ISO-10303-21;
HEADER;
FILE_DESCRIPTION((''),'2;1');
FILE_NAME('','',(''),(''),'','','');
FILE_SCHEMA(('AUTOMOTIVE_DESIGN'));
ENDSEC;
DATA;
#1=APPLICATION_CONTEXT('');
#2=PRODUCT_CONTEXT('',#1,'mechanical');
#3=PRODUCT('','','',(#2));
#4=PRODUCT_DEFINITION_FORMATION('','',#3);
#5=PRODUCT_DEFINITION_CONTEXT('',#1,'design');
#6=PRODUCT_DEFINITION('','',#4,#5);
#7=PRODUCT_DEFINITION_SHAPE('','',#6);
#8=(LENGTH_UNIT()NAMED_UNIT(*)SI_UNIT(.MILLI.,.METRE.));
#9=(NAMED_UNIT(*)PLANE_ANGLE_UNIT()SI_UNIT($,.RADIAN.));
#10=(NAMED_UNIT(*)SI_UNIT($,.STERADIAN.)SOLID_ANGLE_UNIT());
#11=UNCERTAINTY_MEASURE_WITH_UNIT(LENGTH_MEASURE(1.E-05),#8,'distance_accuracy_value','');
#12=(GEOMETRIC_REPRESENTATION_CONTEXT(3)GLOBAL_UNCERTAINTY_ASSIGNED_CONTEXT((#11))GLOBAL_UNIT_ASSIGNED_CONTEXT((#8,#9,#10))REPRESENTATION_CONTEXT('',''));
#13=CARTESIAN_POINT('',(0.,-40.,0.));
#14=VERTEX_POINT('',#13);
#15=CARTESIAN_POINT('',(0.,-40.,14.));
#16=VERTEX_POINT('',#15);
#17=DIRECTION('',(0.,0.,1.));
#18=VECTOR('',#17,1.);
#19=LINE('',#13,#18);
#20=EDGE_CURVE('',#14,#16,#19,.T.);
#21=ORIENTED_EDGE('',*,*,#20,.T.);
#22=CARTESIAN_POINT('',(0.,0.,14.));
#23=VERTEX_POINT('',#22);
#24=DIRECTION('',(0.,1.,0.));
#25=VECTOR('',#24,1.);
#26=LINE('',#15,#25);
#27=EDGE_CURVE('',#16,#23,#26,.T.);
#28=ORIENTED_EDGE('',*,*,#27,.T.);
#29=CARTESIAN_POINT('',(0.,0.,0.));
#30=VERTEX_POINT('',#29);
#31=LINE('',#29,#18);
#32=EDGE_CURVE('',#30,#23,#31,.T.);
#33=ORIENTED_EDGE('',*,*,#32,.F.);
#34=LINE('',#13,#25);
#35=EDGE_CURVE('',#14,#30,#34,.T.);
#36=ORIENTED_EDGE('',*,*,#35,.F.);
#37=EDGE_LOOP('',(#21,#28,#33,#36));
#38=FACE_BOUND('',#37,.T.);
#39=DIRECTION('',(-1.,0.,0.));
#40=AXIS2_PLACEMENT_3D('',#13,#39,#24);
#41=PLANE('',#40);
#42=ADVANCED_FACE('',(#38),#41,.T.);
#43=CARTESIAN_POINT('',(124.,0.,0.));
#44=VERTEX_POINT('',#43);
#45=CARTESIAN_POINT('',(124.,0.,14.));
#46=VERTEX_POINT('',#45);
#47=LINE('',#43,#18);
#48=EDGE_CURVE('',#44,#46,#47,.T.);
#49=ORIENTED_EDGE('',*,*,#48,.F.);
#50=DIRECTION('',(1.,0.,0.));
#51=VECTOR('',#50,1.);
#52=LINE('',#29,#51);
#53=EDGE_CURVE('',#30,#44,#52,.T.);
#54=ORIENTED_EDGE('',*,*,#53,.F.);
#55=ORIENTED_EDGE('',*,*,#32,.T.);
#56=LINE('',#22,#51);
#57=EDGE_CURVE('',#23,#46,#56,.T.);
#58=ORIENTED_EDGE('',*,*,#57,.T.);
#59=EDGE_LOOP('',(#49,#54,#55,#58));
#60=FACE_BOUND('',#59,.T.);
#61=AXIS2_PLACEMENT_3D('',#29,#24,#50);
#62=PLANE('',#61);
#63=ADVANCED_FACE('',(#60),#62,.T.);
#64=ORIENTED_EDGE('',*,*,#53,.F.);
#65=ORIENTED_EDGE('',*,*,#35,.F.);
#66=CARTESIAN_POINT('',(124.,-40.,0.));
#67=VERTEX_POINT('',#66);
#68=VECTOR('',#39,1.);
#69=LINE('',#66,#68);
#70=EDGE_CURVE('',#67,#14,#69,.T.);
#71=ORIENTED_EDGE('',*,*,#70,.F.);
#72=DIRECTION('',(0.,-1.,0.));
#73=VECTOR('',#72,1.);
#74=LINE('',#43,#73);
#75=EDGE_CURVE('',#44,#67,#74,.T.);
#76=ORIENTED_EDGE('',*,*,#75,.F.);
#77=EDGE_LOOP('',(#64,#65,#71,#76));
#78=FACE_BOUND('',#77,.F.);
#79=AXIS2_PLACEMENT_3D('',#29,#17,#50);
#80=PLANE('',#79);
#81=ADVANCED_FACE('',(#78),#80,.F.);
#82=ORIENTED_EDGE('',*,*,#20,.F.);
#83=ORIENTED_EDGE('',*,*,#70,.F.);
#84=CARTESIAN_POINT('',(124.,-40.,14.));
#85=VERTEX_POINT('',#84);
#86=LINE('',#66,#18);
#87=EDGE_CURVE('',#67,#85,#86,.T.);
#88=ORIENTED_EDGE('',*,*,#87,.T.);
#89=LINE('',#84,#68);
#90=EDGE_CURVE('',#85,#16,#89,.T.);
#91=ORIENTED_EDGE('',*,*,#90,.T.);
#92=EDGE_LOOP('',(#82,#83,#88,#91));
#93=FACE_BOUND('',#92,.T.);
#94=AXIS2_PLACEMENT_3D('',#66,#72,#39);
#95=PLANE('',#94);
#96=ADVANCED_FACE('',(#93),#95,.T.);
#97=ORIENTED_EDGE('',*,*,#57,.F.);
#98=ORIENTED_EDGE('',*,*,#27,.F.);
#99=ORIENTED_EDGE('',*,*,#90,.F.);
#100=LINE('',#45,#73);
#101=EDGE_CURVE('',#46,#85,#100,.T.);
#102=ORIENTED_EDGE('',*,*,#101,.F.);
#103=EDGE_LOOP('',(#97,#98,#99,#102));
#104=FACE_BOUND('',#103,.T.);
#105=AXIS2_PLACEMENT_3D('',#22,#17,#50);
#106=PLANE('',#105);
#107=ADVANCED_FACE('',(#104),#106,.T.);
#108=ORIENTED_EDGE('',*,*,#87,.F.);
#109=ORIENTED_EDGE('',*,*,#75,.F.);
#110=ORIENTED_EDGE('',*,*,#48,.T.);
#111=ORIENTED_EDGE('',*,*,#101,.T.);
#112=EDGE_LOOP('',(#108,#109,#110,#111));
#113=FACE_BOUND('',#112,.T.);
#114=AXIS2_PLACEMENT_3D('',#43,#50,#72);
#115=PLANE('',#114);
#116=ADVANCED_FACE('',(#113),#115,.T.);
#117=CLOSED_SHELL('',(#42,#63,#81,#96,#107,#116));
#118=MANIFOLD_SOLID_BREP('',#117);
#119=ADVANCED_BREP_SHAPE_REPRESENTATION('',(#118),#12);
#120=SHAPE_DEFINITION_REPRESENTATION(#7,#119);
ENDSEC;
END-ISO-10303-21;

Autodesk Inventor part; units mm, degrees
ref_plane "YZ Plane" through (0, 0, 0) normal (1, 0, 0) x (0, 1, 0)
ref_plane "XZ Plane" through (0, 0, 0) normal (0, 1, 0) x (-1, 0, 0)
ref_plane "XY Plane" through (0, 0, 0) normal (0, 0, 1) x (1, 0, 0)
sketch "Sketch1" plane through (0, 0, 0) normal (0, 0, 1) x (1, 0, 0)
  line L0 (0, -5) -> (124, -5) construction
  line L1 (124, -5) -> (124, -40) construction
  line L2 (124, -40) -> (0, -40) construction
  line L3 (0, -40) -> (0, -5) construction
  line L4 (0, 0) -> (124, 0)
  line L5 (124, 0) -> (124, -40)
  line L6 (124, -40) -> (0, -40)
  line L7 (0, -40) -> (0, 0)
  dimension "d0" = 124
  dimension "d1" = 35
  dimension "d2" = 5
extrude "Extrusion1" add sketch "Sketch1" along normal blind 14
properties part number "Convex Organ Bank Castor Slots"
